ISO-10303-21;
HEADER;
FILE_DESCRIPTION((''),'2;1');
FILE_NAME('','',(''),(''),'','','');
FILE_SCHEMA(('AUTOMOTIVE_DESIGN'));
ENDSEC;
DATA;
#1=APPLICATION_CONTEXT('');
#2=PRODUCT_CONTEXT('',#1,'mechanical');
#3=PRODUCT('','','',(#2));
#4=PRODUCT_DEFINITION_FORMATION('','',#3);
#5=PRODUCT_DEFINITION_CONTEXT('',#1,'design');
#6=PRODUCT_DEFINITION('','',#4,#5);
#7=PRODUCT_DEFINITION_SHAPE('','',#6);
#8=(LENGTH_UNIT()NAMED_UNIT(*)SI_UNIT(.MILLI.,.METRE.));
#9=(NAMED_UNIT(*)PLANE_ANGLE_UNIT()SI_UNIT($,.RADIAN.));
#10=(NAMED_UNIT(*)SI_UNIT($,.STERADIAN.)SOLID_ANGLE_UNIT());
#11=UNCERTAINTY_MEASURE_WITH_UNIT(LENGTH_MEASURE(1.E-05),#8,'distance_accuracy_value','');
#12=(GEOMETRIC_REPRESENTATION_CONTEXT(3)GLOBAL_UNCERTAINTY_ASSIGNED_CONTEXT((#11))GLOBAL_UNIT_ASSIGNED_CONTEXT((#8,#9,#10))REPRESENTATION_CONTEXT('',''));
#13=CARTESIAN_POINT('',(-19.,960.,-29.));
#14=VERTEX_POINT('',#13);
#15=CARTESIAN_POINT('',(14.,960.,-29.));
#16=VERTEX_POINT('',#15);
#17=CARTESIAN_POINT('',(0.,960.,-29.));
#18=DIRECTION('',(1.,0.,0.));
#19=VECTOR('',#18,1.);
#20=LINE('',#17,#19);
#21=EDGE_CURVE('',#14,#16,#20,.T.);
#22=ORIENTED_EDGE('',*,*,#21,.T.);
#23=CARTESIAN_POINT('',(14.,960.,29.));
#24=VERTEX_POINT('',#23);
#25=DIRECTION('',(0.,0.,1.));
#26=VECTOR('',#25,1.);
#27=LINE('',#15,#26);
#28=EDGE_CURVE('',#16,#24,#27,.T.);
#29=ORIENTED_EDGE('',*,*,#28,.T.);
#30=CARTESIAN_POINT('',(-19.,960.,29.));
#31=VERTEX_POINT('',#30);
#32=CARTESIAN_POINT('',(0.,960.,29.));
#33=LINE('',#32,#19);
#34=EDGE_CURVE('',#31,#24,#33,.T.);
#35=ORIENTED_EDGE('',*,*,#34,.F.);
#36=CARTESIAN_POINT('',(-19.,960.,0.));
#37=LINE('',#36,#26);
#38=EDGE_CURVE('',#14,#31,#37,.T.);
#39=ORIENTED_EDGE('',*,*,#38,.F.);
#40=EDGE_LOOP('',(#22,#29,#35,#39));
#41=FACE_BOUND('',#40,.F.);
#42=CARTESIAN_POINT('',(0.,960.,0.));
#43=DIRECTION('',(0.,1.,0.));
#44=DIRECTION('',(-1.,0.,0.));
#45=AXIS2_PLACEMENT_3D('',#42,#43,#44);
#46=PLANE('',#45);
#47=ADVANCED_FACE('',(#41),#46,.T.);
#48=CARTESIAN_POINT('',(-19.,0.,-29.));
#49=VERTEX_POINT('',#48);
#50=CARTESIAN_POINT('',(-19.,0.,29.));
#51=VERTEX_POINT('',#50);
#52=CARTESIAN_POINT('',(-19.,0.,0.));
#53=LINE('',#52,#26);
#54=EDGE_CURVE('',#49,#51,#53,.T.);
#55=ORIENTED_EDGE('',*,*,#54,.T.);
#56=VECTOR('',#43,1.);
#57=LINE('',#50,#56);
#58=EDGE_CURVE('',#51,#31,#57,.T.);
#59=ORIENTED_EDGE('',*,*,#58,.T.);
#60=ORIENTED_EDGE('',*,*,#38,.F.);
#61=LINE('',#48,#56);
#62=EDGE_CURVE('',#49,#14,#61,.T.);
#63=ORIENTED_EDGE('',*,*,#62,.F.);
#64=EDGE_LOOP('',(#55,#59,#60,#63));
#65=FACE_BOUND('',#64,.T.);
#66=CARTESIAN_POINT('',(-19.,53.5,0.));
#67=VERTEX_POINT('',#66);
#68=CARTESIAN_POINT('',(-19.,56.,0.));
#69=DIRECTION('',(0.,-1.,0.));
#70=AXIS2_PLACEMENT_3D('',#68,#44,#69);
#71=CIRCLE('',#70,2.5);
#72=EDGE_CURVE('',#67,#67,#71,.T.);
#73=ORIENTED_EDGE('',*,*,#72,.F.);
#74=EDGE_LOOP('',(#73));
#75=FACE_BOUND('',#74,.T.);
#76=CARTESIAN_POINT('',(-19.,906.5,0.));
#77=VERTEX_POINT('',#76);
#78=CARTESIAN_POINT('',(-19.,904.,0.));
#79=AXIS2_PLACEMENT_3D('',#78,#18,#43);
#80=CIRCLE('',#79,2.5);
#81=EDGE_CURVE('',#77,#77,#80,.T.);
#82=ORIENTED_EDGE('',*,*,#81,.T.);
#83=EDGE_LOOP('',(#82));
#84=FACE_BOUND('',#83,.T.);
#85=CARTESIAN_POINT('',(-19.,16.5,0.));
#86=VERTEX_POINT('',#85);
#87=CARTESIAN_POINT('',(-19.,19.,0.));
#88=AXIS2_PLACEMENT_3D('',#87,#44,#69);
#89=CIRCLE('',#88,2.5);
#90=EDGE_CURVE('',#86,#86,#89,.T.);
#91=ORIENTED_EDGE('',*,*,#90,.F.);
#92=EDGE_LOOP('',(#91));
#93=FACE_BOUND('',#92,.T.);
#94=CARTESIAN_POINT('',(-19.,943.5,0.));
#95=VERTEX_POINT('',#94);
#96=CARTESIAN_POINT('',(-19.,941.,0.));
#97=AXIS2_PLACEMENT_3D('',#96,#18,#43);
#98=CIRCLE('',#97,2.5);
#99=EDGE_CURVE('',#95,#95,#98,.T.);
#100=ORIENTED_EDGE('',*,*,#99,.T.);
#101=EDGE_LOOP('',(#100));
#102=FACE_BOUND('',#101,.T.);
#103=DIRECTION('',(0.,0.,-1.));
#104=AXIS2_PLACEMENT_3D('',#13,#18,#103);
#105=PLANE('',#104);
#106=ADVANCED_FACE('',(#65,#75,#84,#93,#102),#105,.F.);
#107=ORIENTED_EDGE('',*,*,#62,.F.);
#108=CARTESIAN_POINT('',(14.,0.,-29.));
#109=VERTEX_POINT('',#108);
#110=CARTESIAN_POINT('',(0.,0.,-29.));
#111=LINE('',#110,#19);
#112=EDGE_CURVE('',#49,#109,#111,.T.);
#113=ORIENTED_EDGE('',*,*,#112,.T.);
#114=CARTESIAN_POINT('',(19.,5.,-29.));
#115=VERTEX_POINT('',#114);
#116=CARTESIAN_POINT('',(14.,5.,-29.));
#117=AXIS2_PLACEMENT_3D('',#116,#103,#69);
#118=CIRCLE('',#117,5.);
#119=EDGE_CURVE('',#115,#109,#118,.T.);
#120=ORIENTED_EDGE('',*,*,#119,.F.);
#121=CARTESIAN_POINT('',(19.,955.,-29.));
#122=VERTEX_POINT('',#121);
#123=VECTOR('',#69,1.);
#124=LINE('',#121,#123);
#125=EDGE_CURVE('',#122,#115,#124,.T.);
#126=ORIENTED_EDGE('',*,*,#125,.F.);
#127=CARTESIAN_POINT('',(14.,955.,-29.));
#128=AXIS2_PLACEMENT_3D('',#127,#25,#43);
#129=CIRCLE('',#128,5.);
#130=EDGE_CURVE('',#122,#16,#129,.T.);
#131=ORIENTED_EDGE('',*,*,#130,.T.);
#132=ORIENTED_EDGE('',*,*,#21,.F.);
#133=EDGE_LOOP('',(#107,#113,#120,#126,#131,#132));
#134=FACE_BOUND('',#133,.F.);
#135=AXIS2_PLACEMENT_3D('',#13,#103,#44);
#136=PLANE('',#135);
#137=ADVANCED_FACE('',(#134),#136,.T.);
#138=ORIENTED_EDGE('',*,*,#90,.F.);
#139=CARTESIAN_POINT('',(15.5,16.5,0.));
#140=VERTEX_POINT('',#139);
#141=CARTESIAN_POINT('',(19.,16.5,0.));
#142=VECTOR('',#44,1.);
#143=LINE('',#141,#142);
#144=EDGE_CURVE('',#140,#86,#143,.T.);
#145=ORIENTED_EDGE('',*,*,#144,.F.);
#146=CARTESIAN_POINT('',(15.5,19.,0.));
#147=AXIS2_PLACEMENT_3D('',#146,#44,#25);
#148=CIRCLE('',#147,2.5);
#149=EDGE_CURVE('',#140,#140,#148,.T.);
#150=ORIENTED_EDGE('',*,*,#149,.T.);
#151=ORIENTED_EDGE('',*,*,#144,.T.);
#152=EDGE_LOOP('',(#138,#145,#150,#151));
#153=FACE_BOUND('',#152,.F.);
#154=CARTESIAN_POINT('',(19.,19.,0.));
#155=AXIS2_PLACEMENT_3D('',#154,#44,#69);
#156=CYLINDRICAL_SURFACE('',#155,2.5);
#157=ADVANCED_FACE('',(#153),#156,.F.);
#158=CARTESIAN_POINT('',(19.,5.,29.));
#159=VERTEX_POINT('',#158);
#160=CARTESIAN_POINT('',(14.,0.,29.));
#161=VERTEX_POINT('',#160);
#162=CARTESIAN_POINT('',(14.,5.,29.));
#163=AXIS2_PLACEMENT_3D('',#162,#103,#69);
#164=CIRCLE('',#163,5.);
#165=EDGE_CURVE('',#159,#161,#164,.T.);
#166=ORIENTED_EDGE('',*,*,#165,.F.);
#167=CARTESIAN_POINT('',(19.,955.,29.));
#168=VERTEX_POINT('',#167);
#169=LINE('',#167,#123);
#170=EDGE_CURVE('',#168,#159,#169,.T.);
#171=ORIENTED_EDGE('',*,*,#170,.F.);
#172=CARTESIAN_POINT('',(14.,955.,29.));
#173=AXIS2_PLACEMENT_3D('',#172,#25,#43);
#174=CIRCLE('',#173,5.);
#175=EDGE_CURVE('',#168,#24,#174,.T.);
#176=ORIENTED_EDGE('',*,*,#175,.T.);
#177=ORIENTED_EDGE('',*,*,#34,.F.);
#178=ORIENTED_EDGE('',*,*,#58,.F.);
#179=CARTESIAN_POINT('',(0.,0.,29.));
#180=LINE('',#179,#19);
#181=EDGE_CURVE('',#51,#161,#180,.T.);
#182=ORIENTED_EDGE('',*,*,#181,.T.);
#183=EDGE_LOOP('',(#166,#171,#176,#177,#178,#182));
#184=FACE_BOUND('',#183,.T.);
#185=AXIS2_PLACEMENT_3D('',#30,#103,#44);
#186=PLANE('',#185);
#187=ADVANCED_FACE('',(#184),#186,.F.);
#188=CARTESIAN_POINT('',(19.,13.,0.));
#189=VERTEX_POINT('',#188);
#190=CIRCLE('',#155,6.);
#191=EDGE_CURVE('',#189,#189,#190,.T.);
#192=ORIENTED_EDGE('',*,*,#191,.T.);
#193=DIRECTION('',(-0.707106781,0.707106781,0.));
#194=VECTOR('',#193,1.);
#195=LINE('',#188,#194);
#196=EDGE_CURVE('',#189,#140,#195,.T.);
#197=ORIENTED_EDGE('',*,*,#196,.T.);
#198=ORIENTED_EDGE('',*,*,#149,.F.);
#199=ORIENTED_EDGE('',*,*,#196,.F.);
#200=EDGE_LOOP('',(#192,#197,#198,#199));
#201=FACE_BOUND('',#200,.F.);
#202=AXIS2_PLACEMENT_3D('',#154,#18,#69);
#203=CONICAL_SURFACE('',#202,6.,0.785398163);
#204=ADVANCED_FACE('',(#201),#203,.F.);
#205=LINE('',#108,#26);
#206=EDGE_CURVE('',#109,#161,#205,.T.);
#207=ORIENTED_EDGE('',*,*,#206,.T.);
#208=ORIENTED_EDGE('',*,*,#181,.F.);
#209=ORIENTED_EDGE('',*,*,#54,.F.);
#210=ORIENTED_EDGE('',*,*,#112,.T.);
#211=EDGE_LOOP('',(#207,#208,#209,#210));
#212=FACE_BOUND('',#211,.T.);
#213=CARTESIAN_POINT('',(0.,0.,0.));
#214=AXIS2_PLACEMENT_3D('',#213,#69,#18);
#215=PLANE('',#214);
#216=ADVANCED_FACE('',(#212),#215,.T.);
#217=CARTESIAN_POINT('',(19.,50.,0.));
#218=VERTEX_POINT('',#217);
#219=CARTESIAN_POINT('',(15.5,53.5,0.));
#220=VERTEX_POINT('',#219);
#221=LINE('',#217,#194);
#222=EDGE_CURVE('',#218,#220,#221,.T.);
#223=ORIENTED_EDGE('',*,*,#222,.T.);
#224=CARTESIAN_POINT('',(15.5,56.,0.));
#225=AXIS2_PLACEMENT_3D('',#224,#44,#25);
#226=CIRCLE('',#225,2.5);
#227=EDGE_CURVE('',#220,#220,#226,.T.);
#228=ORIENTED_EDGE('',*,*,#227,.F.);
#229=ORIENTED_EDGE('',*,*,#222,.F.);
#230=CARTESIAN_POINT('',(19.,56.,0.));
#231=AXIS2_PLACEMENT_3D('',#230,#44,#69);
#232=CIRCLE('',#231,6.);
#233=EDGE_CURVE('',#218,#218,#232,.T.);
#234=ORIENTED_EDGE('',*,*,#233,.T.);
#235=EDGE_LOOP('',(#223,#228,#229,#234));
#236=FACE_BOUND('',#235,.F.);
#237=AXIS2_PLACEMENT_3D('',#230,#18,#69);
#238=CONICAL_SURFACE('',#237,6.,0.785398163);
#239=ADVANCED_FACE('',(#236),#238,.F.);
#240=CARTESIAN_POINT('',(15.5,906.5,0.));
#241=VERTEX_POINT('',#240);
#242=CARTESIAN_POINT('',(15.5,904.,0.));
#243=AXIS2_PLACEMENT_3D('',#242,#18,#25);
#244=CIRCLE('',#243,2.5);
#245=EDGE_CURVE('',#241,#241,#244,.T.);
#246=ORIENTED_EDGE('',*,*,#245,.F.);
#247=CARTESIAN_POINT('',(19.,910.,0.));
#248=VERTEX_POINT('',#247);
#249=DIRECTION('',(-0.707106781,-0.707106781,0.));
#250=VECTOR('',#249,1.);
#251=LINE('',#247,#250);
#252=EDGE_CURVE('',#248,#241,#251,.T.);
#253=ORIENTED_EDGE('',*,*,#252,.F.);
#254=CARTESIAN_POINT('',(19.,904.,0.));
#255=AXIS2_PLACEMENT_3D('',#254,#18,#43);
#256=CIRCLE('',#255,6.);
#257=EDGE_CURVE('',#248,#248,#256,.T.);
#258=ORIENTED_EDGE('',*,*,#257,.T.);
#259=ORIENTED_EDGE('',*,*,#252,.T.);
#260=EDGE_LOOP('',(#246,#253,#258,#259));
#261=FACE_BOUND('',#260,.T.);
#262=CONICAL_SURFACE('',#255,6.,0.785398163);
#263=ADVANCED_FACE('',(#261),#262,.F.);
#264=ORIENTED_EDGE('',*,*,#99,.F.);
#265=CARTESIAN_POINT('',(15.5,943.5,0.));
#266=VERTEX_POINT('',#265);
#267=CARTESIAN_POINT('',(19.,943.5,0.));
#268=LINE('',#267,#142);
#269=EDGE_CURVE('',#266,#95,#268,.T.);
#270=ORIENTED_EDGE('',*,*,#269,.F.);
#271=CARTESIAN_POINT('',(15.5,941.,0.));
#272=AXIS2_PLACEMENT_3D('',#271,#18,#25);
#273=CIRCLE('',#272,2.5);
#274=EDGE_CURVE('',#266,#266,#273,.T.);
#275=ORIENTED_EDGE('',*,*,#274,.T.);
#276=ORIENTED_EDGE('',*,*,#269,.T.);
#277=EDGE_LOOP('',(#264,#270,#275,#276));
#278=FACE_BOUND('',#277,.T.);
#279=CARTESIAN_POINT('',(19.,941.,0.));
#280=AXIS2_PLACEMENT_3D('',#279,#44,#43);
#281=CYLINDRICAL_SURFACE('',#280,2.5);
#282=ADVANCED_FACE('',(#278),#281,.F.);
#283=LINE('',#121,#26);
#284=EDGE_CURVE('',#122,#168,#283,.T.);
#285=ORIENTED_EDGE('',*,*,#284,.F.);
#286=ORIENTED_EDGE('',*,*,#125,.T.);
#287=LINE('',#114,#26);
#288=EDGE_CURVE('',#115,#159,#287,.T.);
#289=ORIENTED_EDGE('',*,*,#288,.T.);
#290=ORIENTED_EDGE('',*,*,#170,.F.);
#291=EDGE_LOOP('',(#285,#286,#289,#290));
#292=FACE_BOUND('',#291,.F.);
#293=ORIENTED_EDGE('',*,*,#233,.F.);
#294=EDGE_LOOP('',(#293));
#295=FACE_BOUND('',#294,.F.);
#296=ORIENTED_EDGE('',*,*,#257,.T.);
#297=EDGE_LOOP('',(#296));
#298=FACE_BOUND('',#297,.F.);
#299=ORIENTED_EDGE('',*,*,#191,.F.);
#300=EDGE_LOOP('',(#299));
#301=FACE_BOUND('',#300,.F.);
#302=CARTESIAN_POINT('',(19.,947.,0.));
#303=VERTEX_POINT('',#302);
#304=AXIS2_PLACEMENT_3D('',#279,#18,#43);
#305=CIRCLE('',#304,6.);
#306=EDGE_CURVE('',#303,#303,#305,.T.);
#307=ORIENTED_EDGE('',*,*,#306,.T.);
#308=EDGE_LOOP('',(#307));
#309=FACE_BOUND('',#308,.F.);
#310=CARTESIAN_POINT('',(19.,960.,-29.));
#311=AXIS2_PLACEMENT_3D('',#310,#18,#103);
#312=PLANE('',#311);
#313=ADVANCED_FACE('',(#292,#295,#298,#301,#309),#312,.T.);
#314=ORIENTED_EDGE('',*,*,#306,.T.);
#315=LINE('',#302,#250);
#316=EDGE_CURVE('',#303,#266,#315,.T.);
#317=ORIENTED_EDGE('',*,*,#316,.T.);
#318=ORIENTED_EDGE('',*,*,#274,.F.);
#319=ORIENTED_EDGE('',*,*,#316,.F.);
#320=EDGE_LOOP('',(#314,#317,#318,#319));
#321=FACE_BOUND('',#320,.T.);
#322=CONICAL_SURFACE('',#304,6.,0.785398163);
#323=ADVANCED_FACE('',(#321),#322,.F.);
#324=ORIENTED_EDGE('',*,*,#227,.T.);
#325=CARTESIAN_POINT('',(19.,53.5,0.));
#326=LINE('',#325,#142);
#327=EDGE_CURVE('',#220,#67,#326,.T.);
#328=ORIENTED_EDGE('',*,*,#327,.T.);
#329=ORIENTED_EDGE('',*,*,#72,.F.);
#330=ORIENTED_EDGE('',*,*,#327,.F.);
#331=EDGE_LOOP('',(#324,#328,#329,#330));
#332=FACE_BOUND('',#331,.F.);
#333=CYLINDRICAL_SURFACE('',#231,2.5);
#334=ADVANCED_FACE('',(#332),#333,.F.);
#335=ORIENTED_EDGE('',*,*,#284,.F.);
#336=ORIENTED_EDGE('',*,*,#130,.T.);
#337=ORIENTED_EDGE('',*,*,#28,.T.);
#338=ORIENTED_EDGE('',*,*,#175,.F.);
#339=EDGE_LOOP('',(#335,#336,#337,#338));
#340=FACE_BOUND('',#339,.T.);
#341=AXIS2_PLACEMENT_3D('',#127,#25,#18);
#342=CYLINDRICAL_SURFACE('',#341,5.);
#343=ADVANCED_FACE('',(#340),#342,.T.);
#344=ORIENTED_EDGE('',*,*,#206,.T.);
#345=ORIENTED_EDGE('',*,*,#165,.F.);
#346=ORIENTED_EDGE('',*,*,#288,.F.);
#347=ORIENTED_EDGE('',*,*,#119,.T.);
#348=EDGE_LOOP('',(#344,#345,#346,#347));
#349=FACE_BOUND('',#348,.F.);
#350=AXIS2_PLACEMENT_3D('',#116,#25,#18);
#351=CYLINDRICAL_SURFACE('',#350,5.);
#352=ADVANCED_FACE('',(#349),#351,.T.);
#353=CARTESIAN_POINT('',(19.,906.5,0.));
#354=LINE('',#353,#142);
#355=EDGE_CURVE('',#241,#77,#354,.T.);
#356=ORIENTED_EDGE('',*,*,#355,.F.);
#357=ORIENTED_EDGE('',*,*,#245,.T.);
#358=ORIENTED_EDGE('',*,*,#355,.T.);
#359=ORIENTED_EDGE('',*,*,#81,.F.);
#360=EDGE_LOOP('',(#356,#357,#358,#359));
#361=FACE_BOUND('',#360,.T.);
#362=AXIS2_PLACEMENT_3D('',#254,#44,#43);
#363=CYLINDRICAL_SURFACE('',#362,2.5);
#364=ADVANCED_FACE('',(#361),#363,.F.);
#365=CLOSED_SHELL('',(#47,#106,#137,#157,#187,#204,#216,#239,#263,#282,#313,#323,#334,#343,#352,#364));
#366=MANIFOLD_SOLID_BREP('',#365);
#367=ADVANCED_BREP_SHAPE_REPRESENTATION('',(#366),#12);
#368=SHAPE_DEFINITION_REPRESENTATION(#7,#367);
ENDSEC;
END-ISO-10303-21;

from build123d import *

# Parameters (mm, degrees)
F0_W           = 38
F0_H           = 58
F1_DEPTH       = 480
F3_R           = 5
F4_D           = 5
F4_CSINK_D     = 12
F4_CSINK_ANGLE = 90


with BuildPart() as f1:
    # F0 (on Front) → F1 (new body)
    with BuildSketch(Plane.XZ):
        Rectangle(F0_W, F0_H)
    extrude(amount=-F1_DEPTH)

    # F3
    f3_edges = [f1.edges().sort_by_distance(p)[0] for p in [
        (19, 0, 0),
    ]]
    fillet(f3_edges, radius=F3_R)

    # F4 (through all)
    with Locations(Plane.YZ.offset(19)):
        with Locations((19, 0), (56, 0)):
            CounterSinkHole(F4_D / 2, F4_CSINK_D / 2, counter_sink_angle=F4_CSINK_ANGLE)

    # F5: F1 across face


with BuildPart() as f1_1:
    add(f1.part)
    add(f1.part.mirror(Plane(origin=(0, 480, 0), x_dir=(1, 0, 0), z_dir=(0, 1, 0))))


solid = f1_1.part
